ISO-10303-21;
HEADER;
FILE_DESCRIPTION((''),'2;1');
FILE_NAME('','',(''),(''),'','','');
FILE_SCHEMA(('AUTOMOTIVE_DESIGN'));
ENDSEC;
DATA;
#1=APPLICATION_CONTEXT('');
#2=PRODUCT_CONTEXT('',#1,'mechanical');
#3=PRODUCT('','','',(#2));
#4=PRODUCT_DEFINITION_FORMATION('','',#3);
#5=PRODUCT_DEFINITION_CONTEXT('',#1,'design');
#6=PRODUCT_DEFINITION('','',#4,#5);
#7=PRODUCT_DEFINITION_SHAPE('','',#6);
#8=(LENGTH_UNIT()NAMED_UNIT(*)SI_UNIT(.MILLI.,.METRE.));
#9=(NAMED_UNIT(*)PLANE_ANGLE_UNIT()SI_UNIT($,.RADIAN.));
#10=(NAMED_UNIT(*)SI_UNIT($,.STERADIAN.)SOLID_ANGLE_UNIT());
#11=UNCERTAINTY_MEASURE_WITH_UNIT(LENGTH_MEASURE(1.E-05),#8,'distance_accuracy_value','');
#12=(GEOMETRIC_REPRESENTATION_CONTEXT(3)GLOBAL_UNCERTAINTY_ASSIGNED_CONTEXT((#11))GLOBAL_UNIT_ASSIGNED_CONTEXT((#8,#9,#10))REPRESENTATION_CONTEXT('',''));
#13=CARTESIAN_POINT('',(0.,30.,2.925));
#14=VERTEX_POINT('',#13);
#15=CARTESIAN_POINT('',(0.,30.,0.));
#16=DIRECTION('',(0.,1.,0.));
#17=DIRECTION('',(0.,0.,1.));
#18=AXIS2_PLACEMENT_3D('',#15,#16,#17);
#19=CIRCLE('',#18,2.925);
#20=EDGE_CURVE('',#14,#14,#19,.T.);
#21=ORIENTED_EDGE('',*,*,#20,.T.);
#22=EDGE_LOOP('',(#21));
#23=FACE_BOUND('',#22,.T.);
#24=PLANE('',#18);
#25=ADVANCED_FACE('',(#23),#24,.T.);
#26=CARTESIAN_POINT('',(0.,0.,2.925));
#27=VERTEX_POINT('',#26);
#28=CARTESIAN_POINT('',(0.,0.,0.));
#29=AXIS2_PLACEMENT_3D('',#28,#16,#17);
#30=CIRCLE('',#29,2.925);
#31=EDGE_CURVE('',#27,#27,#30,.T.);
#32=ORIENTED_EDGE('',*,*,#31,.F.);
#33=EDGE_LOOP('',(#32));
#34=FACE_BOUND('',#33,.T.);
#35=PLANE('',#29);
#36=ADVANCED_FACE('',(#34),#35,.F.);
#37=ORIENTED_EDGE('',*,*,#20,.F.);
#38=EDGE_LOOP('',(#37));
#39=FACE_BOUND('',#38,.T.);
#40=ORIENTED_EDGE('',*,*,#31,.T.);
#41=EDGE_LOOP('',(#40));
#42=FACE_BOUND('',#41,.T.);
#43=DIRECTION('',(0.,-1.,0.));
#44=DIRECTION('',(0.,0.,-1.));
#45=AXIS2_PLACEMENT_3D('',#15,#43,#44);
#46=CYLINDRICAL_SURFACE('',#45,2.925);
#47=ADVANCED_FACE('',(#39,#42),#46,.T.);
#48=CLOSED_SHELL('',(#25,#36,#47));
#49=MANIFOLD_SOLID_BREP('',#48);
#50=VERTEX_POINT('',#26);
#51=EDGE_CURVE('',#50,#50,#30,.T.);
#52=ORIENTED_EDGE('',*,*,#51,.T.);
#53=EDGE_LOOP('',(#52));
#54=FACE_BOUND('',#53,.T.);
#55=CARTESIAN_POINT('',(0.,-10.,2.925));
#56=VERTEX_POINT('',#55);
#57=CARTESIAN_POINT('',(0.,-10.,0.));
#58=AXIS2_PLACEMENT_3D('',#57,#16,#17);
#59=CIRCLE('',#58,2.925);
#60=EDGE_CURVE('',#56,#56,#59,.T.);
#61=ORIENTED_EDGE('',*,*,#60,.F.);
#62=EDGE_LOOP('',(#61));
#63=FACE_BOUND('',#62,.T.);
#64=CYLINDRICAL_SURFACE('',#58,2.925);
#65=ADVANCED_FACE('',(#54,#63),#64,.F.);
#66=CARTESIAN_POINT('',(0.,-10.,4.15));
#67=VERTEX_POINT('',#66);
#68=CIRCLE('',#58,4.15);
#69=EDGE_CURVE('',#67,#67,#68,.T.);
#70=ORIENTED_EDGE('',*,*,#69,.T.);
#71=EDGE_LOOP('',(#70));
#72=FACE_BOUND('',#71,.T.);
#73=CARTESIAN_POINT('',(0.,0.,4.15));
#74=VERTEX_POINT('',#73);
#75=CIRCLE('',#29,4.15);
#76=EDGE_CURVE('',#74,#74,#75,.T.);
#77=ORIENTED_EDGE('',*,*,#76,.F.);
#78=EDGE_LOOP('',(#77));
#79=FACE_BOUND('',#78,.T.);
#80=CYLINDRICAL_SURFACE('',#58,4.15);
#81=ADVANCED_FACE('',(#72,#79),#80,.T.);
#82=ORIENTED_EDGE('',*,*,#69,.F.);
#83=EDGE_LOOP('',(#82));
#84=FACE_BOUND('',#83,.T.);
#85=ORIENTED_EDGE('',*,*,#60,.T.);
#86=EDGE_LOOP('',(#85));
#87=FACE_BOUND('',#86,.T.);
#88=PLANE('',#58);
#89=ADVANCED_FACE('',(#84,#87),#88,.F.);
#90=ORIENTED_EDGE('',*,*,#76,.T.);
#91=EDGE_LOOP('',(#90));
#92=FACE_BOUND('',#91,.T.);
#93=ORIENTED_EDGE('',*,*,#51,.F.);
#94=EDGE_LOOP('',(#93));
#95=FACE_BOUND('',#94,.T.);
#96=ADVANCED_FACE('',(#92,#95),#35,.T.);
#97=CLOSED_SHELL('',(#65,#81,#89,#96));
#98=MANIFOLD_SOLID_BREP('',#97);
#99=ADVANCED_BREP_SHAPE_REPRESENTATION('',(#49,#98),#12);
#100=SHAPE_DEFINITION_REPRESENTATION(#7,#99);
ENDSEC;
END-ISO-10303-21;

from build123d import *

# Parameters (mm, degrees)
SKETCH2_R           = 2.925
BOSS_EXTRUDE1_DEPTH = 30
SKETCH2_3_R         = 4.15
SKETCH2_3_R_2       = 2.925
BOSS_EXTRUDE2_DEPTH = 10


with BuildPart() as part:
    # Sketch2 → Boss-Extrude1 (new body)
    with BuildSketch(Plane(origin=(0, 0, 0), x_dir=(1, 0, 0), z_dir=(0, 1, 0))):
        Circle(SKETCH2_R)
    extrude(amount=BOSS_EXTRUDE1_DEPTH)


with BuildPart() as body_2:
    # Sketch2<3> → Boss-Extrude2 (new body)
    with BuildSketch(Plane(origin=(0, 0, 0), x_dir=(1, 0, 0), z_dir=(0, 1, 0))):
        Circle(SKETCH2_3_R)
        Circle(SKETCH2_3_R_2, mode=Mode.SUBTRACT)
    extrude(amount=-BOSS_EXTRUDE2_DEPTH)


solid = Compound([part.part, body_2.part])
